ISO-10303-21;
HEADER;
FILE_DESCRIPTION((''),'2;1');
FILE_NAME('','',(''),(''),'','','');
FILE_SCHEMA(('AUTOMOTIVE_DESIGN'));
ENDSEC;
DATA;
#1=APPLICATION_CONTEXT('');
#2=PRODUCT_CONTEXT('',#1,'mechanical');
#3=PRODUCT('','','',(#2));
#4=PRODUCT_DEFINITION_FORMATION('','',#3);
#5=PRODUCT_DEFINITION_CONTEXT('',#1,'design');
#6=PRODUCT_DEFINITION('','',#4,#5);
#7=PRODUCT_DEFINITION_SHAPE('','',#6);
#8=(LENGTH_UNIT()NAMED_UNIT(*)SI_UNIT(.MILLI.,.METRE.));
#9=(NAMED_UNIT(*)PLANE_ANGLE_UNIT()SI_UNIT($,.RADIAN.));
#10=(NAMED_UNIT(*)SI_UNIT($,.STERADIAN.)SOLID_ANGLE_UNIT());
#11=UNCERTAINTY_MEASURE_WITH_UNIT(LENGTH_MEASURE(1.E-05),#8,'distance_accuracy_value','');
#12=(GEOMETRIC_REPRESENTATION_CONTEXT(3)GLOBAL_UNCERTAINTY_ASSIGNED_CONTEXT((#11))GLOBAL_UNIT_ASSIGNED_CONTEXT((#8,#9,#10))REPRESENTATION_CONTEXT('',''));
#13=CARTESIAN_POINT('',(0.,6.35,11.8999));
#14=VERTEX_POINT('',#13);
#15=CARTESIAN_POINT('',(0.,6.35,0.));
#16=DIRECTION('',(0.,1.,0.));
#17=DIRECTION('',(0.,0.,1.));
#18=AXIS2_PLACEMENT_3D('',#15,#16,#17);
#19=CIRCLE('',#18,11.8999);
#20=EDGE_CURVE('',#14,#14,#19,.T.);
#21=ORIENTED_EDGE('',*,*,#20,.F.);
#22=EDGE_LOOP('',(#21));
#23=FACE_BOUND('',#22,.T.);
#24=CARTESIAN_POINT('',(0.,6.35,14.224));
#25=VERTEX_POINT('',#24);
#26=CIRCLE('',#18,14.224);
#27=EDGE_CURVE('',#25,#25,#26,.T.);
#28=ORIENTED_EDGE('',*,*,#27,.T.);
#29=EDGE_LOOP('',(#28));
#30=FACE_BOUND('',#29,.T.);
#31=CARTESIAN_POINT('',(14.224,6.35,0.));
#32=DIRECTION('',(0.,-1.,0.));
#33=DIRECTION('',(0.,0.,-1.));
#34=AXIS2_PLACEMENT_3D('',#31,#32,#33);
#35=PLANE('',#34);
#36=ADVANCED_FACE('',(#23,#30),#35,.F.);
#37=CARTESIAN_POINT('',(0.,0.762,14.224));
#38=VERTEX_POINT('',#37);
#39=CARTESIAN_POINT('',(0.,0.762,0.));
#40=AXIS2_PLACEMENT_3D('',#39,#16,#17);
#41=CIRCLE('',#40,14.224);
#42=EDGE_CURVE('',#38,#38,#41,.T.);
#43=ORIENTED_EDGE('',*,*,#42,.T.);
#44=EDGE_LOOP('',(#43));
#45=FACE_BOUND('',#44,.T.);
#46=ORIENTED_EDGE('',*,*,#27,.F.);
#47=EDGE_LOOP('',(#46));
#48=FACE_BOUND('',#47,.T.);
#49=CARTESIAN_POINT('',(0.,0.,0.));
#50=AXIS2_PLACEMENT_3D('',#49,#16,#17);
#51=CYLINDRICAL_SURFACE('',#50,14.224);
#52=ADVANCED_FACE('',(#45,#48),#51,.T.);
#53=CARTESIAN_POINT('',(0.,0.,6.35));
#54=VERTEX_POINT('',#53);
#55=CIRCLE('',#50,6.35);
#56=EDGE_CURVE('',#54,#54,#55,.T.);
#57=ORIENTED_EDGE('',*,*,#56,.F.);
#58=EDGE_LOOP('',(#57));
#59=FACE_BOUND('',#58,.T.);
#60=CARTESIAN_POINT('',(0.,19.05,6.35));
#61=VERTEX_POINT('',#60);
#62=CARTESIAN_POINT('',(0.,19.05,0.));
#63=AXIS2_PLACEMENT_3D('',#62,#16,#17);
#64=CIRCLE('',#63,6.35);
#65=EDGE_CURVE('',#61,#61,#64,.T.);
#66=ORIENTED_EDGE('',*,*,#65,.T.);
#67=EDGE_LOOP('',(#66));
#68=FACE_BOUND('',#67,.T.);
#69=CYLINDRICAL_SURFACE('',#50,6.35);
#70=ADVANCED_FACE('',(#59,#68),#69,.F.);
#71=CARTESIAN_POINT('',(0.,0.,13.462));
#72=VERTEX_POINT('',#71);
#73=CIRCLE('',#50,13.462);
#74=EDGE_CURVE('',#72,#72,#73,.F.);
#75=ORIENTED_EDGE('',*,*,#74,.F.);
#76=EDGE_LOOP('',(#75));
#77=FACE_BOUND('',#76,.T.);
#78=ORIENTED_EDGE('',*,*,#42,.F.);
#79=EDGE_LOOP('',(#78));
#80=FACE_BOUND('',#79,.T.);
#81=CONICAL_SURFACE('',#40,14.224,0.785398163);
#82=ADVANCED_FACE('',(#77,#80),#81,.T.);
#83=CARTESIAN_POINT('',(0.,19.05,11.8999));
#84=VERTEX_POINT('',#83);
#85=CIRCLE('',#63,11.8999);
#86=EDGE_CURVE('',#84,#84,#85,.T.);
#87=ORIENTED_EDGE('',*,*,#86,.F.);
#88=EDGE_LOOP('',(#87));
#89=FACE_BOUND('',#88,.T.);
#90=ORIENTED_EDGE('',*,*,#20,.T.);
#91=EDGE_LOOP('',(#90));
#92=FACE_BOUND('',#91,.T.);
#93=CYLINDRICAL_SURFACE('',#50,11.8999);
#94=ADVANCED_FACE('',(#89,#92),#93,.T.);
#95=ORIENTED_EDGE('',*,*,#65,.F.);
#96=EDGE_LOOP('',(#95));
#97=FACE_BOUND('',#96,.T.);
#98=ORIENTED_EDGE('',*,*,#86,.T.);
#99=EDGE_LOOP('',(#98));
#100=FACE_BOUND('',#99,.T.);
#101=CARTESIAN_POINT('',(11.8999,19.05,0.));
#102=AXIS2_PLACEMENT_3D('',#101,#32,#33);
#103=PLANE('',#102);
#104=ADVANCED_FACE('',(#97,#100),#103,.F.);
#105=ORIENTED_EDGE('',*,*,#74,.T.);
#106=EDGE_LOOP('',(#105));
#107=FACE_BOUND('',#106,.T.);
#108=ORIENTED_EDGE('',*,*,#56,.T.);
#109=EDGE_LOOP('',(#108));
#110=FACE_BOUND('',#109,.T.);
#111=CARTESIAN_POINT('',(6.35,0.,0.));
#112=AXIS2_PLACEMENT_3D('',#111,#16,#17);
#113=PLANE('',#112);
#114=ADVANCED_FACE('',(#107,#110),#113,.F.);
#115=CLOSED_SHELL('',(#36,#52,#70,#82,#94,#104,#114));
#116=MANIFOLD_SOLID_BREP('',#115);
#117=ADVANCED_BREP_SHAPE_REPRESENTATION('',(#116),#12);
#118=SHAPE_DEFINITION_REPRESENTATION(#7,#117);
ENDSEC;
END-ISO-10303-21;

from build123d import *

# Parameters (mm, degrees)
CHAMFER1_SIZE = 0.762


with BuildPart() as part:
    # Sketch2 → Revolve1 (revolve)
    with BuildSketch(Plane.XY):
        Polygon((14.224, 0), (14.224, 6.35), (11.8999, 6.35), (11.8999, 19.05), (6.35, 19.05), (6.35, 0), align=None)
    revolve(axis=Axis((0, 0, 0), (0, -1, 0)))

    # Chamfer1
    chamfer1_edges = [part.edges().sort_by_distance(p)[0] for p in [
        (-14.224, 0, 0),
    ]]
    chamfer(chamfer1_edges, length=CHAMFER1_SIZE)


solid = part.part
